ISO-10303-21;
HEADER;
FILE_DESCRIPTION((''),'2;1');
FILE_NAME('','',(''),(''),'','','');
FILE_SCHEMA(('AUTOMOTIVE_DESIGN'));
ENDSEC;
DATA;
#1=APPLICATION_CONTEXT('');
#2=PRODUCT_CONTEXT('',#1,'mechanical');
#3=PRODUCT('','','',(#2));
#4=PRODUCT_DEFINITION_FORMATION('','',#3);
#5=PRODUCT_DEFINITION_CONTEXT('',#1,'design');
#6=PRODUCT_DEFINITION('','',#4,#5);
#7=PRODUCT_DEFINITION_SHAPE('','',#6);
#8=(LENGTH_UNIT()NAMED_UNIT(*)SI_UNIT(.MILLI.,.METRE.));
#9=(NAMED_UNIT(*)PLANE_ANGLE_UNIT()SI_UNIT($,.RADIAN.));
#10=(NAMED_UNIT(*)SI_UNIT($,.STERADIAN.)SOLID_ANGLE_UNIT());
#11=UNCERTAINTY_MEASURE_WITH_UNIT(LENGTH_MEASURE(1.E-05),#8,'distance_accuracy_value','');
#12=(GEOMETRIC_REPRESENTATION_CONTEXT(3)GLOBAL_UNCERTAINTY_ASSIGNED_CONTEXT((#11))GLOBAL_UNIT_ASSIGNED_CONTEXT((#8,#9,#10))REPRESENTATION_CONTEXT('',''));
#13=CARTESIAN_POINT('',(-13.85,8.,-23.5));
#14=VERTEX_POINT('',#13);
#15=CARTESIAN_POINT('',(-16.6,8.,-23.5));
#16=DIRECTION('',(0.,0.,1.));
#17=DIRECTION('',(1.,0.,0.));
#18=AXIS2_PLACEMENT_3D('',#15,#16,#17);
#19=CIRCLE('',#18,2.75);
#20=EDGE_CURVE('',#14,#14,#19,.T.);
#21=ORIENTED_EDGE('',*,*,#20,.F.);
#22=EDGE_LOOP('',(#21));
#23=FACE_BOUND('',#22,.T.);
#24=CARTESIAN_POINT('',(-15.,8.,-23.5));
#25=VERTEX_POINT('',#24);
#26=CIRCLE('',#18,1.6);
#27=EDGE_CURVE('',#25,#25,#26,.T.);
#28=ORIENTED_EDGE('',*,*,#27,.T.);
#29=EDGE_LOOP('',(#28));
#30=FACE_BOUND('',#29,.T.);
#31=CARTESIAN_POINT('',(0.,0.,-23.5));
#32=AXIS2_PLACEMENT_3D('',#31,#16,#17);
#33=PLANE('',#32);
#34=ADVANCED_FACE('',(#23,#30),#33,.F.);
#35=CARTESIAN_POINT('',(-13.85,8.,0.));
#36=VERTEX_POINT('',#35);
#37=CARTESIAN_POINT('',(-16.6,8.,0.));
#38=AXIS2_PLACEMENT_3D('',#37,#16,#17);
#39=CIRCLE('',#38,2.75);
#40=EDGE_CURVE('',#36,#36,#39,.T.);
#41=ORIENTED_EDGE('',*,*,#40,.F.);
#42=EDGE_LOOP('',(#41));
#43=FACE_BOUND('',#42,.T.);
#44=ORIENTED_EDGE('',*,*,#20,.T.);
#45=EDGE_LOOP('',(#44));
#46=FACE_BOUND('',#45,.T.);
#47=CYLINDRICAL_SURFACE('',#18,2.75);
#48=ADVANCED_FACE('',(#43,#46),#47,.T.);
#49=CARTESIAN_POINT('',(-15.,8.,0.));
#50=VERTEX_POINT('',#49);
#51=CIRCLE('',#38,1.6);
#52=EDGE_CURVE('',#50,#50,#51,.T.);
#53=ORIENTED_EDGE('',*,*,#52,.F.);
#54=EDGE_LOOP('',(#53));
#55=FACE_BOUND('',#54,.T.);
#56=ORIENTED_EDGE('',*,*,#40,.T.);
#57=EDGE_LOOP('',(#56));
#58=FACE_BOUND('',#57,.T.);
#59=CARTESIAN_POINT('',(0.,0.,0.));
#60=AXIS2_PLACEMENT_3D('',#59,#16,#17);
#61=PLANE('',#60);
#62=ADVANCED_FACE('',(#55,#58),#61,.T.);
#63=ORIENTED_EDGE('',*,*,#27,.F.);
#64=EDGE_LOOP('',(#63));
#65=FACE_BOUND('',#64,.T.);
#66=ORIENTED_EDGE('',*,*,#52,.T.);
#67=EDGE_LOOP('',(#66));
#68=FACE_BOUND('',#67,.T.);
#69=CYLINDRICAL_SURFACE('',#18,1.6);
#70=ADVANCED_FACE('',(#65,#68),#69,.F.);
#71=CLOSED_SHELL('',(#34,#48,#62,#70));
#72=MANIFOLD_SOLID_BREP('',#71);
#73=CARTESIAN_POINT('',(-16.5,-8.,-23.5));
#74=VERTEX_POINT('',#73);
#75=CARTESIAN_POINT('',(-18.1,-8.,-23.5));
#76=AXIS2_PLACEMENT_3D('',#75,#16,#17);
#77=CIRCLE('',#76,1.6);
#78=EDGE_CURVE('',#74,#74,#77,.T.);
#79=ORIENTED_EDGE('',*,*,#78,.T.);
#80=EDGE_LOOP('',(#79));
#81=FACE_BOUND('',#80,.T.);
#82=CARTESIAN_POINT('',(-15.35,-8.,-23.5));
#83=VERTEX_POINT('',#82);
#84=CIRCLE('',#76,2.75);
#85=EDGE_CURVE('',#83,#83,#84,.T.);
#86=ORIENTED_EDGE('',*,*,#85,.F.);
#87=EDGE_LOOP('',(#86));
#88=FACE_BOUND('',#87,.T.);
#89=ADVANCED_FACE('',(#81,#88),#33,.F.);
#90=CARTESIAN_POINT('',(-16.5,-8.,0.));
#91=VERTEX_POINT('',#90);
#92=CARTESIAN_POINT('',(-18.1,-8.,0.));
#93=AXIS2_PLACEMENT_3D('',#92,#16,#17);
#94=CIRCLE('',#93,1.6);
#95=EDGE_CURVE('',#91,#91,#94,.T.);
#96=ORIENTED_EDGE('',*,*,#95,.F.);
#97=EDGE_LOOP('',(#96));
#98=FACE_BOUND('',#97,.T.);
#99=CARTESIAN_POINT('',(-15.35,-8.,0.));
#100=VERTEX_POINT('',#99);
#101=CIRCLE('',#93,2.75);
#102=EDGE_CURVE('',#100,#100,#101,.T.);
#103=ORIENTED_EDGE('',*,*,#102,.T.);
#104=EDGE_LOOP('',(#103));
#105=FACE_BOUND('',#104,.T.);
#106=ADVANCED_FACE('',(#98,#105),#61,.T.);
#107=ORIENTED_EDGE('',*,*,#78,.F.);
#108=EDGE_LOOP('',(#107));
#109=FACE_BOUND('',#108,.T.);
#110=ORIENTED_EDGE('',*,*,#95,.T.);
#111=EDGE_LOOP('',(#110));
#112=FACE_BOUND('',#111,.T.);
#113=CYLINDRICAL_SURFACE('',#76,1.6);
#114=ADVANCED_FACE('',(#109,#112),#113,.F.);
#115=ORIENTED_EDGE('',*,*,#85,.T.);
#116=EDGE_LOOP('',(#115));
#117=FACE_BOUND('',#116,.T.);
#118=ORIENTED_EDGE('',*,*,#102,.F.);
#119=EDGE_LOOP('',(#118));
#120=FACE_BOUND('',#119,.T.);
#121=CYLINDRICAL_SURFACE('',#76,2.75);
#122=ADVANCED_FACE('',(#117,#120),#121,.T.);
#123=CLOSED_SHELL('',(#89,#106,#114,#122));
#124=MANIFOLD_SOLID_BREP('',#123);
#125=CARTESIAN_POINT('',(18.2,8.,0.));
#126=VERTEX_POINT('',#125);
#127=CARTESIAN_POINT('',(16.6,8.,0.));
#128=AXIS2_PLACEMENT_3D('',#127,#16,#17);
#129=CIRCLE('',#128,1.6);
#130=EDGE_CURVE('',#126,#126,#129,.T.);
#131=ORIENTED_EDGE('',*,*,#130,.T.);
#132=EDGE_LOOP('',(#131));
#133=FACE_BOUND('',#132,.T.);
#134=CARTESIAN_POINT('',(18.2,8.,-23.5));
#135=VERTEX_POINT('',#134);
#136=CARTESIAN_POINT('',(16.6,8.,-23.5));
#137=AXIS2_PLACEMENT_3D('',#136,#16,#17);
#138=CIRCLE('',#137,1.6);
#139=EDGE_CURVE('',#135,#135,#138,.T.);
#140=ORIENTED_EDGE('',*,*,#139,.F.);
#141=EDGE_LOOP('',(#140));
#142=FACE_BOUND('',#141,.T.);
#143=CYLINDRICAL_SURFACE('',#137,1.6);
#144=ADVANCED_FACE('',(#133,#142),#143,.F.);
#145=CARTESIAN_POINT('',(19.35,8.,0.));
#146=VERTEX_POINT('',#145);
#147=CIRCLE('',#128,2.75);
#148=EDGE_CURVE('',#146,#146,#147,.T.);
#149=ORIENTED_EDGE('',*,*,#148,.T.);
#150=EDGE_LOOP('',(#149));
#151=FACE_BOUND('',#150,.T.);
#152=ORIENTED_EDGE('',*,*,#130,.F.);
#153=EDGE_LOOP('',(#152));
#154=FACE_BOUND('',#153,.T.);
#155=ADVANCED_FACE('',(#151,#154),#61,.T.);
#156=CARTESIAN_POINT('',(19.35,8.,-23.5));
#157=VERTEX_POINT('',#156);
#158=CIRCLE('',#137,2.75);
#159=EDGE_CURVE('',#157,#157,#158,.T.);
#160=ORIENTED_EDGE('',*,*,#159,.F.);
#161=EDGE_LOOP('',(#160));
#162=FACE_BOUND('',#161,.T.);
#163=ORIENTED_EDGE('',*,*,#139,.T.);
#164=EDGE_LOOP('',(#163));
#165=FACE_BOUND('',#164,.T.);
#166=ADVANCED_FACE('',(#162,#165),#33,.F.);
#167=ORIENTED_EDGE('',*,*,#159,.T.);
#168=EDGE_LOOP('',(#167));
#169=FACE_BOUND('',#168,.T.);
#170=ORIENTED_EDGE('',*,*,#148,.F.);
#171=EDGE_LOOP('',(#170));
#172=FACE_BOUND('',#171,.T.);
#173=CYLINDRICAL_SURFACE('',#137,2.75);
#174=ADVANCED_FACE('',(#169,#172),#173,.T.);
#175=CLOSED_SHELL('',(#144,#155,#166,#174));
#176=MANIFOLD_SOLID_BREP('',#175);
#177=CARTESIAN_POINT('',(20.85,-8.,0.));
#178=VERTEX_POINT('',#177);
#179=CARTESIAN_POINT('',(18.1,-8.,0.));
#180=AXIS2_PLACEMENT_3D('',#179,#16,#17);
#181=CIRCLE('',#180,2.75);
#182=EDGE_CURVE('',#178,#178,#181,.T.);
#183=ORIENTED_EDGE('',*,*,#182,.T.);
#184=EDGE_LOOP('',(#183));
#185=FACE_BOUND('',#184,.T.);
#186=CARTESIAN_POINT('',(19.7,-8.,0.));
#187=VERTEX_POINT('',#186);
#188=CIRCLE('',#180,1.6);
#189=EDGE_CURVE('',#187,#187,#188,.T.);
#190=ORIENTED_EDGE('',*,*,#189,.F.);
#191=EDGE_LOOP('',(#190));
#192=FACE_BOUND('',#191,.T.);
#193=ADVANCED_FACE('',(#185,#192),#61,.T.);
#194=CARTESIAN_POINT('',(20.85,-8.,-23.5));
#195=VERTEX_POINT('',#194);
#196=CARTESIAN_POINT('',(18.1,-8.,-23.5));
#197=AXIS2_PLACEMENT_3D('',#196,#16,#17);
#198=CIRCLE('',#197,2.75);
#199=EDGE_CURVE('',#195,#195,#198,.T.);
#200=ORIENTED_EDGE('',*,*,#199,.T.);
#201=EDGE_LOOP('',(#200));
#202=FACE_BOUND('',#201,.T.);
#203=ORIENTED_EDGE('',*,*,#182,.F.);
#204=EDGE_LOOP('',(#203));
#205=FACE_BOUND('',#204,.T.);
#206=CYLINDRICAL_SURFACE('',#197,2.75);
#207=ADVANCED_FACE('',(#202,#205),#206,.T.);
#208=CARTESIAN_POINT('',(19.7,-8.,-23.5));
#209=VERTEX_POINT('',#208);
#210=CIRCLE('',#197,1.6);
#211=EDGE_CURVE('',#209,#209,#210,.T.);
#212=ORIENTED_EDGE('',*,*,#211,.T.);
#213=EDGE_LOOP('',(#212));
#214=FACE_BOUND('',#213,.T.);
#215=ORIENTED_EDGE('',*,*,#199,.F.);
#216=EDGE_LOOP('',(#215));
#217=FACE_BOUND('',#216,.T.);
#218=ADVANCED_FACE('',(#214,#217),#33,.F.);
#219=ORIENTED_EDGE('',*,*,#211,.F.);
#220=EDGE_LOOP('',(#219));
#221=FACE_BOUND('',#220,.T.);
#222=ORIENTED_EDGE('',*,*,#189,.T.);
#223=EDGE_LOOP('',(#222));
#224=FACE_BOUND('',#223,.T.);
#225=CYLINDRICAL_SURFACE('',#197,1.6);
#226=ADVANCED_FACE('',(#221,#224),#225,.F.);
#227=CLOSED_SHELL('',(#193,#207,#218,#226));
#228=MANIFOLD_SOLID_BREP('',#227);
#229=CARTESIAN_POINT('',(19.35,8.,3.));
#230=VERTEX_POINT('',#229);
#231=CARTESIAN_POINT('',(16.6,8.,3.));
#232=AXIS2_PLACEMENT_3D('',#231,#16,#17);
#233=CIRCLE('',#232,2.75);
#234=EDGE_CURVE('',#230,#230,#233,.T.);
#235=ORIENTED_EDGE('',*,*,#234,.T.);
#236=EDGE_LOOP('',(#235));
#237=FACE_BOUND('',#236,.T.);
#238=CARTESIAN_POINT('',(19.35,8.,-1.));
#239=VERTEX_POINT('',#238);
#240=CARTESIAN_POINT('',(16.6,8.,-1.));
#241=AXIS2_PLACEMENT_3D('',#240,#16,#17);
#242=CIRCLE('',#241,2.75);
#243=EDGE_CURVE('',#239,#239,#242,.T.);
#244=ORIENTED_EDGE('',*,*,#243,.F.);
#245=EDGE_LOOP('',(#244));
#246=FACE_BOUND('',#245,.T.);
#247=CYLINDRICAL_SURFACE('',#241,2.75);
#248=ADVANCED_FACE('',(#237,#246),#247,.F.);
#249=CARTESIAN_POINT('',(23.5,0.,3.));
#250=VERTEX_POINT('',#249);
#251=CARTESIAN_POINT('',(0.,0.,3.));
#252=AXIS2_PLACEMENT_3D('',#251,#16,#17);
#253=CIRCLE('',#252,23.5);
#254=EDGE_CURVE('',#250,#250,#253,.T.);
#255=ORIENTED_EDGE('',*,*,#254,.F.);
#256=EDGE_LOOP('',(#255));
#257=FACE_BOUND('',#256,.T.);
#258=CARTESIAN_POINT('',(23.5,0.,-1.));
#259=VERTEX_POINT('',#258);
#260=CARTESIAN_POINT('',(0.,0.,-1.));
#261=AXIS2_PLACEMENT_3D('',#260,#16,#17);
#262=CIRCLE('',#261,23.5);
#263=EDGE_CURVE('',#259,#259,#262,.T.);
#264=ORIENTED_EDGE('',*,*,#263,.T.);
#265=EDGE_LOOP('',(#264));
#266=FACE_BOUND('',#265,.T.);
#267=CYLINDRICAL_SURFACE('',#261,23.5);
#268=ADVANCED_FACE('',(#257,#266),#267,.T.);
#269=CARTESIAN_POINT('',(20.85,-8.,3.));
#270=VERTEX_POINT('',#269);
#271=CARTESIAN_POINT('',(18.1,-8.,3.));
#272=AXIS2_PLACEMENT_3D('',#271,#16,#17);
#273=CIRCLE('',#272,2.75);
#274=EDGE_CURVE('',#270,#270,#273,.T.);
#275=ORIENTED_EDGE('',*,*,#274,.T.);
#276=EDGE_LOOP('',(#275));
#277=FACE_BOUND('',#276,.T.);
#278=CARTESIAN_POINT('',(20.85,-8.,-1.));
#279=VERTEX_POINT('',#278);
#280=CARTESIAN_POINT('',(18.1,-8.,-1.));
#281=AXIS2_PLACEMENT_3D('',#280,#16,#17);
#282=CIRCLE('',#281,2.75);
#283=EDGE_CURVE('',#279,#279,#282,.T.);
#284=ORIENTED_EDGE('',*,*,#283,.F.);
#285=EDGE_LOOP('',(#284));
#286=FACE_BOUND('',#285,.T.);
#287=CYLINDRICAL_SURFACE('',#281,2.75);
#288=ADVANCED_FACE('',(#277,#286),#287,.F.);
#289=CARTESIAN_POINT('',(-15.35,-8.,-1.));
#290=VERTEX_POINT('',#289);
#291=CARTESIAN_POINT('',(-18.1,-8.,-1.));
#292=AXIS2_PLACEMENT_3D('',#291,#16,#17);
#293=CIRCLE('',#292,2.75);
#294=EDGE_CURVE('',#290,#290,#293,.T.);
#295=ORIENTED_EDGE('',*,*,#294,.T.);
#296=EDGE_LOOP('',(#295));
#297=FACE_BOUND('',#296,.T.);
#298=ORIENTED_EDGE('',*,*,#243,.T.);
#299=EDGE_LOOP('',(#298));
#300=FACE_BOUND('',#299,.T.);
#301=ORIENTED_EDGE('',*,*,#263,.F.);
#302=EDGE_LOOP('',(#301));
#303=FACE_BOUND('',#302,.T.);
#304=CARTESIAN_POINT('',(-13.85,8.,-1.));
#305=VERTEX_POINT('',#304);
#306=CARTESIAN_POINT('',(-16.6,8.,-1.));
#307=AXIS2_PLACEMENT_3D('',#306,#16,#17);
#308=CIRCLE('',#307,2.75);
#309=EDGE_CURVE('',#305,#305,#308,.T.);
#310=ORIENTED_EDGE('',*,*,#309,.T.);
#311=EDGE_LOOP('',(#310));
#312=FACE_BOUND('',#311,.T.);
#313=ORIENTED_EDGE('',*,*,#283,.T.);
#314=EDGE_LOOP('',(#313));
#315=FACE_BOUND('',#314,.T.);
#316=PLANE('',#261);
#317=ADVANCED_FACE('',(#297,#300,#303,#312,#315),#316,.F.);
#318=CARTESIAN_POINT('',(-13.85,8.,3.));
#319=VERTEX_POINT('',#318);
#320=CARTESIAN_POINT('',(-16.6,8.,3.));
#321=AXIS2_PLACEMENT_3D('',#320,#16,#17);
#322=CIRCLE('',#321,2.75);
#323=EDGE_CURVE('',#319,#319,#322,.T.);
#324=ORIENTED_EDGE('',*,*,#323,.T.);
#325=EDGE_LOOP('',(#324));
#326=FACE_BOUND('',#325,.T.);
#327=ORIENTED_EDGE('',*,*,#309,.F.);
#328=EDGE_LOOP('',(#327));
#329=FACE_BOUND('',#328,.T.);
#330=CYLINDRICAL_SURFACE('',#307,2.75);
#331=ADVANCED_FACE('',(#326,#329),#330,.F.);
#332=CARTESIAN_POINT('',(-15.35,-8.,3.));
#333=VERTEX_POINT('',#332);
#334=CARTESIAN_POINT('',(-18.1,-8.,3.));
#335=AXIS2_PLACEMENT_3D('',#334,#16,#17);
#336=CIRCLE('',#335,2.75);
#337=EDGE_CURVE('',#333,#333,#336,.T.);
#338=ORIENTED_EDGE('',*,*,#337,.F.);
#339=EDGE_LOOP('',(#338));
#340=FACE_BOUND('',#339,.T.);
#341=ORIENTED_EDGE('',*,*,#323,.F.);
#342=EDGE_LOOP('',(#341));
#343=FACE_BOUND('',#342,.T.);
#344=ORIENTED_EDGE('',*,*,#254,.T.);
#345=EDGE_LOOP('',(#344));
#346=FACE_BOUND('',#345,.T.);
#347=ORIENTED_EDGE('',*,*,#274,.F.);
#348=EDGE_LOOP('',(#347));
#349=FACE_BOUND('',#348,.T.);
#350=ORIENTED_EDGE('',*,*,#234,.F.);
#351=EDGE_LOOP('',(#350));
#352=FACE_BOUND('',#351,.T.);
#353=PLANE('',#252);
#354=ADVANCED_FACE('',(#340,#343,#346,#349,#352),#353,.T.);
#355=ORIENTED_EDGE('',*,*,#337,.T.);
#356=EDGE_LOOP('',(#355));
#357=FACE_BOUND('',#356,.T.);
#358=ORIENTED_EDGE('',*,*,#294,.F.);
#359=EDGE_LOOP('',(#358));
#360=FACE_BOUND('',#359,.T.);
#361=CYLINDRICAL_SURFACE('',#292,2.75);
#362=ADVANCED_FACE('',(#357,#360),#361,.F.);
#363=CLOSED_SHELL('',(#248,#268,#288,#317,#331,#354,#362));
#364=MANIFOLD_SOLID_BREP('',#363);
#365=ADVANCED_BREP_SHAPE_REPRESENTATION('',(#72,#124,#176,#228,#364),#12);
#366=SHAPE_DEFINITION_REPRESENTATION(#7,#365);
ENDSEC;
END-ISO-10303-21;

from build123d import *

# Parameters (mm, degrees)
EXTRUDE_1_DEPTH      = 3
EXTRUDE_1_DEPTH_BACK = 1
SKETCH_1_R           = 23.5
SKETCH_1_4_R         = 2.75
SKETCH_1_4_R_2       = 1.6
EXTRUDE_2_DEPTH      = 23.5
EXTRUDE_2_2_DEPTH    = 23.5
EXTRUDE_2_3_DEPTH    = 23.5
EXTRUDE_2_4_DEPTH    = 23.5


with BuildPart() as part:
    # ｽｹｯﾁ1 → ﾎﾞｽ - 押し出し1 (new, two sides: drawn at the far end of the back side and taken through both)
    with BuildSketch(Plane.XY.offset(-EXTRUDE_1_DEPTH_BACK)):
        Circle(SKETCH_1_R)
        with BuildLine():
            ThreePointArc((-15.35, -8), (-20.044543648, -9.944543648), (-18.1, -5.25))
            ThreePointArc((-18.1, -5.25), (-16.155456352, -6.055456352), (-15.35, -8))
        make_face(mode=Mode.SUBTRACT)
        with BuildLine():
            ThreePointArc((20.85, -8), (16.155456352, -9.944543648), (18.1, -5.25))
            ThreePointArc((18.1, -5.25), (20.044543648, -6.055456352), (20.85, -8))
        make_face(mode=Mode.SUBTRACT)
        with BuildLine():
            ThreePointArc((-13.85, 8), (-14.655456352, 6.055456352), (-16.6, 5.25))
            ThreePointArc((-16.6, 5.25), (-18.544543648, 9.944543648), (-13.85, 8))
        make_face(mode=Mode.SUBTRACT)
        with BuildLine():
            ThreePointArc((19.35, 8), (18.544543648, 6.055456352), (16.6, 5.25))
            ThreePointArc((16.6, 5.25), (14.655456352, 9.944543648), (19.35, 8))
        make_face(mode=Mode.SUBTRACT)
    extrude(amount=EXTRUDE_1_DEPTH + EXTRUDE_1_DEPTH_BACK)


with BuildPart() as body_2:
    # ｽｹｯﾁ1<4> → ﾎﾞｽ - 押し出し2 (new body)
    with BuildSketch(Plane.XY):
        with Locations((16.6, 8)):
            Circle(SKETCH_1_4_R)
        with Locations((16.6, 8)):
            Circle(SKETCH_1_4_R_2, mode=Mode.SUBTRACT)
    extrude(amount=-EXTRUDE_2_DEPTH)


with BuildPart() as body_3:
    # ｽｹｯﾁ1<4> → Extrude 2 2 (new body)
    with BuildSketch(Plane.XY):
        with Locations((18.1, -8)):
            Circle(SKETCH_1_4_R)
        with Locations((18.1, -8)):
            Circle(SKETCH_1_4_R_2, mode=Mode.SUBTRACT)
    extrude(amount=-EXTRUDE_2_2_DEPTH)


with BuildPart() as body_4:
    # ｽｹｯﾁ1<4> → Extrude 2 3 (new body)
    with BuildSketch(Plane.XY):
        with Locations((-16.6, 8)):
            Circle(SKETCH_1_4_R)
        with Locations((-16.6, 8)):
            Circle(SKETCH_1_4_R_2, mode=Mode.SUBTRACT)
    extrude(amount=-EXTRUDE_2_3_DEPTH)


with BuildPart() as body_5:
    # ｽｹｯﾁ1<4> → Extrude 2 4 (new body)
    with BuildSketch(Plane.XY):
        with Locations((-18.1, -8)):
            Circle(SKETCH_1_4_R)
        with Locations((-18.1, -8)):
            Circle(SKETCH_1_4_R_2, mode=Mode.SUBTRACT)
    extrude(amount=-EXTRUDE_2_4_DEPTH)


solid = Compound([part.part, body_2.part, body_3.part, body_4.part, body_5.part])
